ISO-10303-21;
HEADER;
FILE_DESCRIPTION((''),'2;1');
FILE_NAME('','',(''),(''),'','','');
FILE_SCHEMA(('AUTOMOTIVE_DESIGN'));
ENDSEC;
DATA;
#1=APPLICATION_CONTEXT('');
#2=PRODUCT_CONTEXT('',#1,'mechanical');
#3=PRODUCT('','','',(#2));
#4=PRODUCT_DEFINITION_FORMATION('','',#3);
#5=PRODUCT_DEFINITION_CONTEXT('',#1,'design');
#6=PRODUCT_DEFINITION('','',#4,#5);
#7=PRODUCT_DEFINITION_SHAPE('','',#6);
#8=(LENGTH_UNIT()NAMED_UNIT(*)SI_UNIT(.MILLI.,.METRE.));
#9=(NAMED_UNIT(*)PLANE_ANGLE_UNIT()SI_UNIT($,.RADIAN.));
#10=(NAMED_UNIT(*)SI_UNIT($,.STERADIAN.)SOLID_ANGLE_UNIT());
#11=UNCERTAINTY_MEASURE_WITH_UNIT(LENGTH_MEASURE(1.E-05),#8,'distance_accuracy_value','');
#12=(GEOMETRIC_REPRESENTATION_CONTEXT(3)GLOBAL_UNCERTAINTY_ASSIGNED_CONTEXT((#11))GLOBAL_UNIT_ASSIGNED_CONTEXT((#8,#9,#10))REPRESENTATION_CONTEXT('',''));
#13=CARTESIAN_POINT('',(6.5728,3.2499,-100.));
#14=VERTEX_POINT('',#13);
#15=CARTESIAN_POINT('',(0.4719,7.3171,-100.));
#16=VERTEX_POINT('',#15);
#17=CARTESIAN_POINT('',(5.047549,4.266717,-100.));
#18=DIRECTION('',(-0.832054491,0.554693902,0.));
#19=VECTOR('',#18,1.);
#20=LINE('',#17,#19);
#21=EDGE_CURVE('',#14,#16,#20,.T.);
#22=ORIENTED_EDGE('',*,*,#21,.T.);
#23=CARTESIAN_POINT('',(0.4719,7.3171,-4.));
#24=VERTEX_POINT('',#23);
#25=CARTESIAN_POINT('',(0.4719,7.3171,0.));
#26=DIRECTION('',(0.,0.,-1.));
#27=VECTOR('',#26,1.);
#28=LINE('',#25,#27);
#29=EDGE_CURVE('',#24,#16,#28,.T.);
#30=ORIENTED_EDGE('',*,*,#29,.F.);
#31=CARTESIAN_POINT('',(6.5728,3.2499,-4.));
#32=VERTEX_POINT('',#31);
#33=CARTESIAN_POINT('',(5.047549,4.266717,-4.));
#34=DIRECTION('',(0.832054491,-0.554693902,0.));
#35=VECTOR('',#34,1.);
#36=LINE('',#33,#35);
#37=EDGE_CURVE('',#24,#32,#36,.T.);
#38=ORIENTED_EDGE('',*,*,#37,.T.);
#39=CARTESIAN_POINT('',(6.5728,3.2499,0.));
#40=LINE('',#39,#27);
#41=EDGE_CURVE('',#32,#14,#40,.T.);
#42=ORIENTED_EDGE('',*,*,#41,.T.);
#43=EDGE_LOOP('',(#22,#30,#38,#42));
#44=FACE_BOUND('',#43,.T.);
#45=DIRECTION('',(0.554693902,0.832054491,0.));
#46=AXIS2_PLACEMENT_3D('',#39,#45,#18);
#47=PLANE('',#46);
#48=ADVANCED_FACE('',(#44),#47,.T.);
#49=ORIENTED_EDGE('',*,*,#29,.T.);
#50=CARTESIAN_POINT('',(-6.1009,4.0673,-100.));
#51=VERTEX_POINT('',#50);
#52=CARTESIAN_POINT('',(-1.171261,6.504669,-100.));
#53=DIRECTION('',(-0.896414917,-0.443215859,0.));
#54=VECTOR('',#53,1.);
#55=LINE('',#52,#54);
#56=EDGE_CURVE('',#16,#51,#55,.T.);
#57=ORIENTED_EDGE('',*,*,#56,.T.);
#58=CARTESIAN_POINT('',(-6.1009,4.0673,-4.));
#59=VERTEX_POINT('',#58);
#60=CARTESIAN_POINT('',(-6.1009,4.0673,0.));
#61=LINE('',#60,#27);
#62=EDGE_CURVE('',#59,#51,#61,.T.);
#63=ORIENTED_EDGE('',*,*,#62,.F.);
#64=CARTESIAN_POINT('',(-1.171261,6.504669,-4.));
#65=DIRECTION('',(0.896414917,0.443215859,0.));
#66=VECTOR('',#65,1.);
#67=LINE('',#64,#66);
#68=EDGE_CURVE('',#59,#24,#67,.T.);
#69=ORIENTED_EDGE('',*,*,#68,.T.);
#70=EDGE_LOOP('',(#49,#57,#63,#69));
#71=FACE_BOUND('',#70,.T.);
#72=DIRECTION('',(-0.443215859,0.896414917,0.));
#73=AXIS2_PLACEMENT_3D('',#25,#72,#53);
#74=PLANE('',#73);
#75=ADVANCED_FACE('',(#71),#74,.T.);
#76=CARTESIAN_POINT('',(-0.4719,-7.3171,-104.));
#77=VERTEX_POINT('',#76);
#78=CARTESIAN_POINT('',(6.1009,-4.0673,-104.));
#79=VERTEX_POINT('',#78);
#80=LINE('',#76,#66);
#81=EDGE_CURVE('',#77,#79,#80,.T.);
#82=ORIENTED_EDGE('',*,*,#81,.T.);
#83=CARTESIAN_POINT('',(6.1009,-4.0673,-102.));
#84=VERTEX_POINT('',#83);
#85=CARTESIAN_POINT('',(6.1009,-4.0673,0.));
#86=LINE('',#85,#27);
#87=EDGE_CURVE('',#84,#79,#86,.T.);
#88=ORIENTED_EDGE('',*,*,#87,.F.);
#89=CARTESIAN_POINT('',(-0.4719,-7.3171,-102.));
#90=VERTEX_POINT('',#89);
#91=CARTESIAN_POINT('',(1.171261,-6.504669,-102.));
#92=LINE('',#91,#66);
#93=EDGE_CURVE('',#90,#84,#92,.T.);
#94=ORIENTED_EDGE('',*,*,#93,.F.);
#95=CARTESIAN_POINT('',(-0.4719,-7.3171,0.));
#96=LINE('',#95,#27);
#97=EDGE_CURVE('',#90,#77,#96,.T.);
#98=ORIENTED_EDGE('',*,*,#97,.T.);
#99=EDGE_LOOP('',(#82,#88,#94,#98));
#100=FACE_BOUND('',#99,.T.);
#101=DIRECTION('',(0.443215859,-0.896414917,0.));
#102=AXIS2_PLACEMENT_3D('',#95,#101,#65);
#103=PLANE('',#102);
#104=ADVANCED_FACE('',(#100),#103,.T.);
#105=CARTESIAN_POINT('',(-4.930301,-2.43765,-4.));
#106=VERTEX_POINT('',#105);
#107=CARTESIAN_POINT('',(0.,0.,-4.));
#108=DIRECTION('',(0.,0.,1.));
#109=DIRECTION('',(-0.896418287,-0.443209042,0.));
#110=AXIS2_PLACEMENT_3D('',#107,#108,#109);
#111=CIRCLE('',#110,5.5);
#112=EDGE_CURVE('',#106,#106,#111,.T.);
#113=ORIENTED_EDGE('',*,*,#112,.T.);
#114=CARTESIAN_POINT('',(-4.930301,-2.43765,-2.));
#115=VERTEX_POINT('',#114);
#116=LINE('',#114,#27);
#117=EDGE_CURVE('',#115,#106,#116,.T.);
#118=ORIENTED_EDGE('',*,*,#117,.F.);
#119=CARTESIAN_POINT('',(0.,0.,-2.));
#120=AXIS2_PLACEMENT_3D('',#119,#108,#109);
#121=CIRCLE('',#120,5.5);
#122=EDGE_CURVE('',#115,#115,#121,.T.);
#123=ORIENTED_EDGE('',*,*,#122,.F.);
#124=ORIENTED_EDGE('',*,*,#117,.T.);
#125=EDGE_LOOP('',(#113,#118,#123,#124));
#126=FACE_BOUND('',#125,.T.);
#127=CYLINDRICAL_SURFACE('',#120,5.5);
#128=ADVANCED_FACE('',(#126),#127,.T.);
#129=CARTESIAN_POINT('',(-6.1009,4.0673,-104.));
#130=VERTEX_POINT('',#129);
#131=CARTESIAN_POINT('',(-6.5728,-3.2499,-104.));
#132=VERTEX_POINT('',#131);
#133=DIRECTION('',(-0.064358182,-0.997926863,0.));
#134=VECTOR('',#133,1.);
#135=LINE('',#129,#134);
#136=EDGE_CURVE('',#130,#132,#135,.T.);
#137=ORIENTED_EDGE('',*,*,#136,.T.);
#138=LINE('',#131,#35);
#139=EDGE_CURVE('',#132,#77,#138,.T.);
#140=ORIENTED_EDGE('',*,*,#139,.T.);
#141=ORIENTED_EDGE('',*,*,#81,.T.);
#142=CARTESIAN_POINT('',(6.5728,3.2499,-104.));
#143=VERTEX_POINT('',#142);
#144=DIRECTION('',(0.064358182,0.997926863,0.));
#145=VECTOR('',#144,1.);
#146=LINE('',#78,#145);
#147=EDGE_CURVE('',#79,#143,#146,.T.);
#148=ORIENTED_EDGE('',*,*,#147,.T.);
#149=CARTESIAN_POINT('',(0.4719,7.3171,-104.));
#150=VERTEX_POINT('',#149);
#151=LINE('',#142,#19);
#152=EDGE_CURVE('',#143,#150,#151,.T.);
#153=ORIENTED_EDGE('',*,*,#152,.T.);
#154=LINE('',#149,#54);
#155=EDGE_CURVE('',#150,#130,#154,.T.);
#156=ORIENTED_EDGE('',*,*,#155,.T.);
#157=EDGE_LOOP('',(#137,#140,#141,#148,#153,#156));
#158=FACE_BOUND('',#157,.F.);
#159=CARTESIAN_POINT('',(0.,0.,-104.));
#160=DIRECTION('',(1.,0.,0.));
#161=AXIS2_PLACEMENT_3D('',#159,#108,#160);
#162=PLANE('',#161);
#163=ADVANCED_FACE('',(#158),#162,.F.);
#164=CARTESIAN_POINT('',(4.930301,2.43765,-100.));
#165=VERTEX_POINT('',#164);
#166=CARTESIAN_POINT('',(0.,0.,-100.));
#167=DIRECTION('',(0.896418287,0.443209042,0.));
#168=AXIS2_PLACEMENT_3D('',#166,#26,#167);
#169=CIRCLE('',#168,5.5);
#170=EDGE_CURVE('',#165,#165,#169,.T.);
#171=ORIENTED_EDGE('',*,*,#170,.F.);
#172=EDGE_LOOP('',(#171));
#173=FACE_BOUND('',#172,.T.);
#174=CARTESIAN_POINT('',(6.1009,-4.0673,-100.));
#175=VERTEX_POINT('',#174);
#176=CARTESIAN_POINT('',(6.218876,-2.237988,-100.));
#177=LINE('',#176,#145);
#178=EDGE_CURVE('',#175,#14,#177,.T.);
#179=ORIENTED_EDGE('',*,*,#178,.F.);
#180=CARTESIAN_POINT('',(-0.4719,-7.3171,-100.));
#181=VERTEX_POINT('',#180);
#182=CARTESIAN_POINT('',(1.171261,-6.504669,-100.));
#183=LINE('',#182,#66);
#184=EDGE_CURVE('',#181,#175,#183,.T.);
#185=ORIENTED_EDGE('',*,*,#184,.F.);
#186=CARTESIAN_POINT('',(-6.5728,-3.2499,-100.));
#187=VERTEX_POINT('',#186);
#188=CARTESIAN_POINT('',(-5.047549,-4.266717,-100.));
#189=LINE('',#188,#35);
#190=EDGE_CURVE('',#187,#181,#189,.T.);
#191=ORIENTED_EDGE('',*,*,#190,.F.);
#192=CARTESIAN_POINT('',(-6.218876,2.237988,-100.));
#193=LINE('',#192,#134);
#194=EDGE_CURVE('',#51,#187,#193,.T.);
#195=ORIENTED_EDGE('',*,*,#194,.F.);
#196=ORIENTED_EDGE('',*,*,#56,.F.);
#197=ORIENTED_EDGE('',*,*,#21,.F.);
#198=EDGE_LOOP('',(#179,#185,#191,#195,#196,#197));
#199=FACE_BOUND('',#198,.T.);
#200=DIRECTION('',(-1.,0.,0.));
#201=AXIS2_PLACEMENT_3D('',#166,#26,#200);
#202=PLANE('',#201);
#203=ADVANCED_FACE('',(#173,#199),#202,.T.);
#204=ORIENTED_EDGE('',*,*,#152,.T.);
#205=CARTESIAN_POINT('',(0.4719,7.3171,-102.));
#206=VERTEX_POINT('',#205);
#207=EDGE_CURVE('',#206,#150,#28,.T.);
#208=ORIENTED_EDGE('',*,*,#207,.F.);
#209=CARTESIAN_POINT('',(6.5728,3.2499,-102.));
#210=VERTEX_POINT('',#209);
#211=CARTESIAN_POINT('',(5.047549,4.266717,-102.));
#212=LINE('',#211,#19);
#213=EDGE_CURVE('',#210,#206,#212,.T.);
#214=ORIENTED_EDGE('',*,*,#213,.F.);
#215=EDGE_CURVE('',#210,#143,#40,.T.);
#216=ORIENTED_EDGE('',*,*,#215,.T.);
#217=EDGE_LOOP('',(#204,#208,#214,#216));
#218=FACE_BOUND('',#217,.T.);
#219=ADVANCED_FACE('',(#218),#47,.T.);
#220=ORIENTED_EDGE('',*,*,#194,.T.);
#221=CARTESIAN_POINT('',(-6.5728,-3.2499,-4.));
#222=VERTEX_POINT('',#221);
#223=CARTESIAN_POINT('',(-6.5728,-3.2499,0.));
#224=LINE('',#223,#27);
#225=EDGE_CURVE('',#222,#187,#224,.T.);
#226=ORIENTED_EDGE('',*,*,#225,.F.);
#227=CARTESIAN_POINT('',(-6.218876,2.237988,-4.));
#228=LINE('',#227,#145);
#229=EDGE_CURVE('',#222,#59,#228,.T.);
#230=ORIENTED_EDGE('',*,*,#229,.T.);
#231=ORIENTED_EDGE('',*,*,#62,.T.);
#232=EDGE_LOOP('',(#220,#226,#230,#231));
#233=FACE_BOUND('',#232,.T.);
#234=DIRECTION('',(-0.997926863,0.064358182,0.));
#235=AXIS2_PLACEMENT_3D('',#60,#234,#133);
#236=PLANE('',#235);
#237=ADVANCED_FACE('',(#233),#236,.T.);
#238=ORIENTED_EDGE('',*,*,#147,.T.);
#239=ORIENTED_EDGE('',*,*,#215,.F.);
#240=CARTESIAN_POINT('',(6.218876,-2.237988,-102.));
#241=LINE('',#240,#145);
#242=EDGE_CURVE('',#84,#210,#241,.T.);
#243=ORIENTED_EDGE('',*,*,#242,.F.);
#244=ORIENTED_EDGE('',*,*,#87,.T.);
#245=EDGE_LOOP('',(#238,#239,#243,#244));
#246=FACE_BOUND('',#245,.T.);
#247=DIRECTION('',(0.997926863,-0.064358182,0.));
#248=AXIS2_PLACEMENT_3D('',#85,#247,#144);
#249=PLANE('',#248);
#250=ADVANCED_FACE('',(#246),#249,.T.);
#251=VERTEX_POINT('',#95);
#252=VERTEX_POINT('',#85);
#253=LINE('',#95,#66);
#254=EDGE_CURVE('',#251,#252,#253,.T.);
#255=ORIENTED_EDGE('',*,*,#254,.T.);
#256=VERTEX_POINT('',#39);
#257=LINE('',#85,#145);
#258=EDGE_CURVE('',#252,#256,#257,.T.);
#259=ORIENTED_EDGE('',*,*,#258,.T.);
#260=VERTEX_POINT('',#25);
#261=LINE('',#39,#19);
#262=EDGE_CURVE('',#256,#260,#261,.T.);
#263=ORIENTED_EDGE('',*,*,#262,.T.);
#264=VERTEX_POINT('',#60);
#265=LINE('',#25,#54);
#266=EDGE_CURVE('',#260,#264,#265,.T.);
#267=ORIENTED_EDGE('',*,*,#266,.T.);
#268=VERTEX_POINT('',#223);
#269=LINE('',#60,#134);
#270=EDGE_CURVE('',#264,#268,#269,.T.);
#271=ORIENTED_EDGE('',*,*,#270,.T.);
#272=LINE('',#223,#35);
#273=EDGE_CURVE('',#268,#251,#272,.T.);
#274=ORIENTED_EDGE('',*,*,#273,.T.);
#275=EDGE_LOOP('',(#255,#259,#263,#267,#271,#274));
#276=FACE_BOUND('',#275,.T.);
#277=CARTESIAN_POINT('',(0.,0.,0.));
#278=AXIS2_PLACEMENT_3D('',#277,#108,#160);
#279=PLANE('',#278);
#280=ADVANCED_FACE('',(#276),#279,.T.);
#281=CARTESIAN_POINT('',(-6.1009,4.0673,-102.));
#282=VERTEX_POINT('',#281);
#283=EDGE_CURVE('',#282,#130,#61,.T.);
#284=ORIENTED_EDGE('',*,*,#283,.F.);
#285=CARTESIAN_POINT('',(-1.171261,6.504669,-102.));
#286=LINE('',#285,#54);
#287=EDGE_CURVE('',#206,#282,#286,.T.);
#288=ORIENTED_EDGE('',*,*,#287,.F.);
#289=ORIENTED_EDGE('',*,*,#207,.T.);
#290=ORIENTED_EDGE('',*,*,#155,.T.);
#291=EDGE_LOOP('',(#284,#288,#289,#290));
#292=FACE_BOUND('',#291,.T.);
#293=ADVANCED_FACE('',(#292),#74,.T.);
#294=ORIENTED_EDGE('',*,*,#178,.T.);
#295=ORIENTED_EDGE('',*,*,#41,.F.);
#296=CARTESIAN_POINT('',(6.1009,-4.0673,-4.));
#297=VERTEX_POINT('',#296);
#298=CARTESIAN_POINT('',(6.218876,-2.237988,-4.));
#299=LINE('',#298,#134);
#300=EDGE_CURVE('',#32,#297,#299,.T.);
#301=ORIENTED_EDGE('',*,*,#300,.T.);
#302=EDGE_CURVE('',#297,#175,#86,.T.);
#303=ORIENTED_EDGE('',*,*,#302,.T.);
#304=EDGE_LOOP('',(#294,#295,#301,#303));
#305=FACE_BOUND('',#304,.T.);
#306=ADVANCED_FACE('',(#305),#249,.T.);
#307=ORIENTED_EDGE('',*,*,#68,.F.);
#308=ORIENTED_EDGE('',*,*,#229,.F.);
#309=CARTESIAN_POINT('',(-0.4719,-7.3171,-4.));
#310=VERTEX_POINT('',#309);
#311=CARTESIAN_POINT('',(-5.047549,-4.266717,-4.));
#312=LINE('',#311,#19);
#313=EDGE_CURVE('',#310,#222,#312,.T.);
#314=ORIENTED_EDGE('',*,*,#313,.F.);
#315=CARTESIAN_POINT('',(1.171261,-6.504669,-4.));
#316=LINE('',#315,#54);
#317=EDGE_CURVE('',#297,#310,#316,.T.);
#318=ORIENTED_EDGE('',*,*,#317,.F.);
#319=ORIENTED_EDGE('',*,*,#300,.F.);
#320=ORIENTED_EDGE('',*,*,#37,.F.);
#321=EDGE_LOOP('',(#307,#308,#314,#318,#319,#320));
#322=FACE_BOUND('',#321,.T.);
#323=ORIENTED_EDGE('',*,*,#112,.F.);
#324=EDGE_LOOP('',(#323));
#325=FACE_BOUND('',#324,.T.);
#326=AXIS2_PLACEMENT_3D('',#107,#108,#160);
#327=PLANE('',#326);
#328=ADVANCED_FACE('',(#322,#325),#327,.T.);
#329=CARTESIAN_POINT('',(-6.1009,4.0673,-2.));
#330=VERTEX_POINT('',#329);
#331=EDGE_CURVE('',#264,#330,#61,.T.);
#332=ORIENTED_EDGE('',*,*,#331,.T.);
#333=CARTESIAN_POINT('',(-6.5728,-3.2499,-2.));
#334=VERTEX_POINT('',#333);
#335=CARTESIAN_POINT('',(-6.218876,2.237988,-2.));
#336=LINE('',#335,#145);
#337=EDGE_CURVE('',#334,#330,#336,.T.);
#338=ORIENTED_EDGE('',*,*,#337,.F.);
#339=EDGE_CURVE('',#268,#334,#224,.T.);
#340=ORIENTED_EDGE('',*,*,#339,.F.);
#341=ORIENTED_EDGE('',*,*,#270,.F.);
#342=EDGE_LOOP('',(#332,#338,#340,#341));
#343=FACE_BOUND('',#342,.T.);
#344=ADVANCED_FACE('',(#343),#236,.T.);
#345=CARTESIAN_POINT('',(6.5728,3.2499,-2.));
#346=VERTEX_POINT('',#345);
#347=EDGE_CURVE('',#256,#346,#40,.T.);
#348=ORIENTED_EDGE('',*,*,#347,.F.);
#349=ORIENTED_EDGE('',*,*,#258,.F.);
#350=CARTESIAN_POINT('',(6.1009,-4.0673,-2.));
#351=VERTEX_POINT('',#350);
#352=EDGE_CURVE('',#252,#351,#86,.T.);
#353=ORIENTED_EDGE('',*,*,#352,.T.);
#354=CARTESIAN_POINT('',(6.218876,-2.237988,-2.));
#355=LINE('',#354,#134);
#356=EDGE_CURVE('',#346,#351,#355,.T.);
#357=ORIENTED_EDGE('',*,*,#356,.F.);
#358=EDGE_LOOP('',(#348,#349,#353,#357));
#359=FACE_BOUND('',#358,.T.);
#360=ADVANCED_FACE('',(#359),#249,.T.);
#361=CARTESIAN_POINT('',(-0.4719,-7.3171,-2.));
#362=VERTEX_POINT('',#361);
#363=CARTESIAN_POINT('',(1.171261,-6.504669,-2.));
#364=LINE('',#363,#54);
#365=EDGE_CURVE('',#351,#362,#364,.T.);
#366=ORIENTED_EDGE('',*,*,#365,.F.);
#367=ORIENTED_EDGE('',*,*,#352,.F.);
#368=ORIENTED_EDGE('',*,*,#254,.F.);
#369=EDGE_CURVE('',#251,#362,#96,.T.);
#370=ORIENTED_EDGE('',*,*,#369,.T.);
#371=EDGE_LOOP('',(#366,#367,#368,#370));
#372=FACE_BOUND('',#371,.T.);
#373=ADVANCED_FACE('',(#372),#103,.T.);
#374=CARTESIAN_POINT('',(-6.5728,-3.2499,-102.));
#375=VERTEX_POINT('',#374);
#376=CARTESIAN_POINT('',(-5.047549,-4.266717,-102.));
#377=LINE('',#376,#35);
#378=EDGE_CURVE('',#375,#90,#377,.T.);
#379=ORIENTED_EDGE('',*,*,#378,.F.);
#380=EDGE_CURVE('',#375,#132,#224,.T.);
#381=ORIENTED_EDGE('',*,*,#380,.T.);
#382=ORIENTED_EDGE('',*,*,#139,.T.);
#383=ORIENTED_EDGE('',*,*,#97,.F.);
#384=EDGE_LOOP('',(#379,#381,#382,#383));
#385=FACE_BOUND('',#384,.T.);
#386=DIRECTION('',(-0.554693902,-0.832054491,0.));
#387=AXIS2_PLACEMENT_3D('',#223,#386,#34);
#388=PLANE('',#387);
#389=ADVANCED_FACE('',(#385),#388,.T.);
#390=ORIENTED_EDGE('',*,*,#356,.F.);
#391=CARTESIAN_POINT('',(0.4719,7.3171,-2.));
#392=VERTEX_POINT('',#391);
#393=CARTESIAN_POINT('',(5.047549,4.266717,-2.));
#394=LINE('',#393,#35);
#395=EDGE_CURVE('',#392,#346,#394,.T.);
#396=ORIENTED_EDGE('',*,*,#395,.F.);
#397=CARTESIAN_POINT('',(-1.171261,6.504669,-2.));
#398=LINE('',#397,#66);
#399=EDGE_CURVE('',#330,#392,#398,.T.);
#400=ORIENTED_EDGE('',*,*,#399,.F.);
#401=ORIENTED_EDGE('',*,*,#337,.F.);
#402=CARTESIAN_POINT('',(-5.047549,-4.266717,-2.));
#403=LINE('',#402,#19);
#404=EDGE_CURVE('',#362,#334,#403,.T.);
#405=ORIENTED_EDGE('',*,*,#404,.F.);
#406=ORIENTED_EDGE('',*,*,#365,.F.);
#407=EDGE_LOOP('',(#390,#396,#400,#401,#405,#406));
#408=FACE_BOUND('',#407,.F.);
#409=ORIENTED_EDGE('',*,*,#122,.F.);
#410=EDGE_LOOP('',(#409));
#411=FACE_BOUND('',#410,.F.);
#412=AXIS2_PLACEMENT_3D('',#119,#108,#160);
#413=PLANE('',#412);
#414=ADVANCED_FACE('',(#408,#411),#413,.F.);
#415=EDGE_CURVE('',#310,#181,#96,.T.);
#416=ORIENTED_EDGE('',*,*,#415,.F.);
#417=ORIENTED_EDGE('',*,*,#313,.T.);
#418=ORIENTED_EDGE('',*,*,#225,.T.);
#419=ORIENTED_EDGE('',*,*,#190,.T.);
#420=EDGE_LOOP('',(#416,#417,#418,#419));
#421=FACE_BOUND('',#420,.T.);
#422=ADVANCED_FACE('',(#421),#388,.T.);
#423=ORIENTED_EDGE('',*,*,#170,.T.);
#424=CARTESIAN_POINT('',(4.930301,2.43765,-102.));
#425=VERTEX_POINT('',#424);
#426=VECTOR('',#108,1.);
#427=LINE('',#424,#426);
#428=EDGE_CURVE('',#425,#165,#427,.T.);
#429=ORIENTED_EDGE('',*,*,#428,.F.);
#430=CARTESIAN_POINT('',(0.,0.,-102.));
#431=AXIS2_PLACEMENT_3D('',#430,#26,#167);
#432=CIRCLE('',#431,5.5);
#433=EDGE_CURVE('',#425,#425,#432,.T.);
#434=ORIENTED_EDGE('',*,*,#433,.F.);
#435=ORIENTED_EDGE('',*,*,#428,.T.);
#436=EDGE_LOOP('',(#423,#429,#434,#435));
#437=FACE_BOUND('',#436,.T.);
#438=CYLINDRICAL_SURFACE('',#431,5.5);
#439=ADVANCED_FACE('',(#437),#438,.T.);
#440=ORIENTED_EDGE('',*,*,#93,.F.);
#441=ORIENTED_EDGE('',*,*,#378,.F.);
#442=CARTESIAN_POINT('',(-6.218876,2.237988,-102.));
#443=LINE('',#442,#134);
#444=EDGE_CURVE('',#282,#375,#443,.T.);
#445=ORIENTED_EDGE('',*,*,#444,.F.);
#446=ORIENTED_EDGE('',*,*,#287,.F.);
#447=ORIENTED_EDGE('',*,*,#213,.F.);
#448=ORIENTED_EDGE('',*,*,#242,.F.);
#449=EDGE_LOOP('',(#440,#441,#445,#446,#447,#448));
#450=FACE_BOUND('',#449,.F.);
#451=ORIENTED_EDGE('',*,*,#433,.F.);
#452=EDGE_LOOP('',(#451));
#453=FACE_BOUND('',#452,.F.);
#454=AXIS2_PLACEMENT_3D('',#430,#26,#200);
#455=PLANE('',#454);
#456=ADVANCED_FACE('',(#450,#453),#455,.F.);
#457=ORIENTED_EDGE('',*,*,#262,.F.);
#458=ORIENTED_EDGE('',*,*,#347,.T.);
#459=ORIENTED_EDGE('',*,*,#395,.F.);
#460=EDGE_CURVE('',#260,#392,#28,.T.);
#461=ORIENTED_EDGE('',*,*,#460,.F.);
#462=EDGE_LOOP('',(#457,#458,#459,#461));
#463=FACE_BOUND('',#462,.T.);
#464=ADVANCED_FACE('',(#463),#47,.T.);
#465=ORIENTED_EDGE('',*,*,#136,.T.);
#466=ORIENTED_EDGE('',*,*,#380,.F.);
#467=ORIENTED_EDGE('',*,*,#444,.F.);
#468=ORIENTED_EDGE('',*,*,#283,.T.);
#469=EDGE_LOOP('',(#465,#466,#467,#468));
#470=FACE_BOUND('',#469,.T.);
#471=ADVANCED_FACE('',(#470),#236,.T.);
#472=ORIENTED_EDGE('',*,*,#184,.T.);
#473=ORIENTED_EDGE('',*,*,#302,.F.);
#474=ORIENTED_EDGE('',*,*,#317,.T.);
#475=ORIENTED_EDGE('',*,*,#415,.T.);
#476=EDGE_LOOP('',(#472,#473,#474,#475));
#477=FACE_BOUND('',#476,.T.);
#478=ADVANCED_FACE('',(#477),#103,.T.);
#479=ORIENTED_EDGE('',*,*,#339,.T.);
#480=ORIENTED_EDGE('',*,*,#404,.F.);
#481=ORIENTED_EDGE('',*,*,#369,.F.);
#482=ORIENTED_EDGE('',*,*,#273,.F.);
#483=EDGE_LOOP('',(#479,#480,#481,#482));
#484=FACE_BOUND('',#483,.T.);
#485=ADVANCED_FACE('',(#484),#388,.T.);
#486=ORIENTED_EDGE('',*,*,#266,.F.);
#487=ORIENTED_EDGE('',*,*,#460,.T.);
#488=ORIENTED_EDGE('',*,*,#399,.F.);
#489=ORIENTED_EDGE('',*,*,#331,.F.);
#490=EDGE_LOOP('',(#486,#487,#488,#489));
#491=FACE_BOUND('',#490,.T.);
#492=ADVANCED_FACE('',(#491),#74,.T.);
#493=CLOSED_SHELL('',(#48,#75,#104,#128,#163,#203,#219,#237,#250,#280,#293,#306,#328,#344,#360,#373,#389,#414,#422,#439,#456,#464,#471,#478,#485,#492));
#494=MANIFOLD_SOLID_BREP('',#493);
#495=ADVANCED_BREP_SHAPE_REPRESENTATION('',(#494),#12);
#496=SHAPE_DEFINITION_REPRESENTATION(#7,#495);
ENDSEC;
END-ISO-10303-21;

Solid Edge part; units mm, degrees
sketch "Sketch1" plane through (0, 0, 0) normal (0, 0, 1) x (1, 0, 0)
  line L0 (-6.1009, 4.0673) -> (-6.5728, -3.2499)
  line L1 (-6.5728, -3.2499) -> (-0.4719, -7.3171)
  line L2 (-0.4719, -7.3171) -> (6.1009, -4.0673)
  line L3 (6.1009, -4.0673) -> (6.5728, 3.2499)
  line L4 (6.5728, 3.2499) -> (0.4719, 7.3171)
  line L5 (0.4719, 7.3171) -> (-6.1009, 4.0673)
extrude "Protrusion1" add sketch "Sketch1" against normal blind 104
sketch "Sketch2" plane through (0, 0, -2) normal (0, 0, 1) x (-0.8964, -0.4432, 0)
  circle A0 centre (0, 0) radius 5.5
  circle A1 centre (0, 0) radius 13.1424
extrude "ExtrudedCutout_1" cut sketch "Sketch2" against normal blind 2
sketch "Sketch3" plane through (0, 0, -102) normal (0, 0, -1) x (0.8964, 0.4432, 0)
  circle A0 centre (0, 0) radius 5.5
  circle A1 centre (0, 0) radius 13.1424
extrude "ExtrudedCutout_2" cut sketch "Sketch3" against normal blind 2
properties part number "BumbleB0660"
